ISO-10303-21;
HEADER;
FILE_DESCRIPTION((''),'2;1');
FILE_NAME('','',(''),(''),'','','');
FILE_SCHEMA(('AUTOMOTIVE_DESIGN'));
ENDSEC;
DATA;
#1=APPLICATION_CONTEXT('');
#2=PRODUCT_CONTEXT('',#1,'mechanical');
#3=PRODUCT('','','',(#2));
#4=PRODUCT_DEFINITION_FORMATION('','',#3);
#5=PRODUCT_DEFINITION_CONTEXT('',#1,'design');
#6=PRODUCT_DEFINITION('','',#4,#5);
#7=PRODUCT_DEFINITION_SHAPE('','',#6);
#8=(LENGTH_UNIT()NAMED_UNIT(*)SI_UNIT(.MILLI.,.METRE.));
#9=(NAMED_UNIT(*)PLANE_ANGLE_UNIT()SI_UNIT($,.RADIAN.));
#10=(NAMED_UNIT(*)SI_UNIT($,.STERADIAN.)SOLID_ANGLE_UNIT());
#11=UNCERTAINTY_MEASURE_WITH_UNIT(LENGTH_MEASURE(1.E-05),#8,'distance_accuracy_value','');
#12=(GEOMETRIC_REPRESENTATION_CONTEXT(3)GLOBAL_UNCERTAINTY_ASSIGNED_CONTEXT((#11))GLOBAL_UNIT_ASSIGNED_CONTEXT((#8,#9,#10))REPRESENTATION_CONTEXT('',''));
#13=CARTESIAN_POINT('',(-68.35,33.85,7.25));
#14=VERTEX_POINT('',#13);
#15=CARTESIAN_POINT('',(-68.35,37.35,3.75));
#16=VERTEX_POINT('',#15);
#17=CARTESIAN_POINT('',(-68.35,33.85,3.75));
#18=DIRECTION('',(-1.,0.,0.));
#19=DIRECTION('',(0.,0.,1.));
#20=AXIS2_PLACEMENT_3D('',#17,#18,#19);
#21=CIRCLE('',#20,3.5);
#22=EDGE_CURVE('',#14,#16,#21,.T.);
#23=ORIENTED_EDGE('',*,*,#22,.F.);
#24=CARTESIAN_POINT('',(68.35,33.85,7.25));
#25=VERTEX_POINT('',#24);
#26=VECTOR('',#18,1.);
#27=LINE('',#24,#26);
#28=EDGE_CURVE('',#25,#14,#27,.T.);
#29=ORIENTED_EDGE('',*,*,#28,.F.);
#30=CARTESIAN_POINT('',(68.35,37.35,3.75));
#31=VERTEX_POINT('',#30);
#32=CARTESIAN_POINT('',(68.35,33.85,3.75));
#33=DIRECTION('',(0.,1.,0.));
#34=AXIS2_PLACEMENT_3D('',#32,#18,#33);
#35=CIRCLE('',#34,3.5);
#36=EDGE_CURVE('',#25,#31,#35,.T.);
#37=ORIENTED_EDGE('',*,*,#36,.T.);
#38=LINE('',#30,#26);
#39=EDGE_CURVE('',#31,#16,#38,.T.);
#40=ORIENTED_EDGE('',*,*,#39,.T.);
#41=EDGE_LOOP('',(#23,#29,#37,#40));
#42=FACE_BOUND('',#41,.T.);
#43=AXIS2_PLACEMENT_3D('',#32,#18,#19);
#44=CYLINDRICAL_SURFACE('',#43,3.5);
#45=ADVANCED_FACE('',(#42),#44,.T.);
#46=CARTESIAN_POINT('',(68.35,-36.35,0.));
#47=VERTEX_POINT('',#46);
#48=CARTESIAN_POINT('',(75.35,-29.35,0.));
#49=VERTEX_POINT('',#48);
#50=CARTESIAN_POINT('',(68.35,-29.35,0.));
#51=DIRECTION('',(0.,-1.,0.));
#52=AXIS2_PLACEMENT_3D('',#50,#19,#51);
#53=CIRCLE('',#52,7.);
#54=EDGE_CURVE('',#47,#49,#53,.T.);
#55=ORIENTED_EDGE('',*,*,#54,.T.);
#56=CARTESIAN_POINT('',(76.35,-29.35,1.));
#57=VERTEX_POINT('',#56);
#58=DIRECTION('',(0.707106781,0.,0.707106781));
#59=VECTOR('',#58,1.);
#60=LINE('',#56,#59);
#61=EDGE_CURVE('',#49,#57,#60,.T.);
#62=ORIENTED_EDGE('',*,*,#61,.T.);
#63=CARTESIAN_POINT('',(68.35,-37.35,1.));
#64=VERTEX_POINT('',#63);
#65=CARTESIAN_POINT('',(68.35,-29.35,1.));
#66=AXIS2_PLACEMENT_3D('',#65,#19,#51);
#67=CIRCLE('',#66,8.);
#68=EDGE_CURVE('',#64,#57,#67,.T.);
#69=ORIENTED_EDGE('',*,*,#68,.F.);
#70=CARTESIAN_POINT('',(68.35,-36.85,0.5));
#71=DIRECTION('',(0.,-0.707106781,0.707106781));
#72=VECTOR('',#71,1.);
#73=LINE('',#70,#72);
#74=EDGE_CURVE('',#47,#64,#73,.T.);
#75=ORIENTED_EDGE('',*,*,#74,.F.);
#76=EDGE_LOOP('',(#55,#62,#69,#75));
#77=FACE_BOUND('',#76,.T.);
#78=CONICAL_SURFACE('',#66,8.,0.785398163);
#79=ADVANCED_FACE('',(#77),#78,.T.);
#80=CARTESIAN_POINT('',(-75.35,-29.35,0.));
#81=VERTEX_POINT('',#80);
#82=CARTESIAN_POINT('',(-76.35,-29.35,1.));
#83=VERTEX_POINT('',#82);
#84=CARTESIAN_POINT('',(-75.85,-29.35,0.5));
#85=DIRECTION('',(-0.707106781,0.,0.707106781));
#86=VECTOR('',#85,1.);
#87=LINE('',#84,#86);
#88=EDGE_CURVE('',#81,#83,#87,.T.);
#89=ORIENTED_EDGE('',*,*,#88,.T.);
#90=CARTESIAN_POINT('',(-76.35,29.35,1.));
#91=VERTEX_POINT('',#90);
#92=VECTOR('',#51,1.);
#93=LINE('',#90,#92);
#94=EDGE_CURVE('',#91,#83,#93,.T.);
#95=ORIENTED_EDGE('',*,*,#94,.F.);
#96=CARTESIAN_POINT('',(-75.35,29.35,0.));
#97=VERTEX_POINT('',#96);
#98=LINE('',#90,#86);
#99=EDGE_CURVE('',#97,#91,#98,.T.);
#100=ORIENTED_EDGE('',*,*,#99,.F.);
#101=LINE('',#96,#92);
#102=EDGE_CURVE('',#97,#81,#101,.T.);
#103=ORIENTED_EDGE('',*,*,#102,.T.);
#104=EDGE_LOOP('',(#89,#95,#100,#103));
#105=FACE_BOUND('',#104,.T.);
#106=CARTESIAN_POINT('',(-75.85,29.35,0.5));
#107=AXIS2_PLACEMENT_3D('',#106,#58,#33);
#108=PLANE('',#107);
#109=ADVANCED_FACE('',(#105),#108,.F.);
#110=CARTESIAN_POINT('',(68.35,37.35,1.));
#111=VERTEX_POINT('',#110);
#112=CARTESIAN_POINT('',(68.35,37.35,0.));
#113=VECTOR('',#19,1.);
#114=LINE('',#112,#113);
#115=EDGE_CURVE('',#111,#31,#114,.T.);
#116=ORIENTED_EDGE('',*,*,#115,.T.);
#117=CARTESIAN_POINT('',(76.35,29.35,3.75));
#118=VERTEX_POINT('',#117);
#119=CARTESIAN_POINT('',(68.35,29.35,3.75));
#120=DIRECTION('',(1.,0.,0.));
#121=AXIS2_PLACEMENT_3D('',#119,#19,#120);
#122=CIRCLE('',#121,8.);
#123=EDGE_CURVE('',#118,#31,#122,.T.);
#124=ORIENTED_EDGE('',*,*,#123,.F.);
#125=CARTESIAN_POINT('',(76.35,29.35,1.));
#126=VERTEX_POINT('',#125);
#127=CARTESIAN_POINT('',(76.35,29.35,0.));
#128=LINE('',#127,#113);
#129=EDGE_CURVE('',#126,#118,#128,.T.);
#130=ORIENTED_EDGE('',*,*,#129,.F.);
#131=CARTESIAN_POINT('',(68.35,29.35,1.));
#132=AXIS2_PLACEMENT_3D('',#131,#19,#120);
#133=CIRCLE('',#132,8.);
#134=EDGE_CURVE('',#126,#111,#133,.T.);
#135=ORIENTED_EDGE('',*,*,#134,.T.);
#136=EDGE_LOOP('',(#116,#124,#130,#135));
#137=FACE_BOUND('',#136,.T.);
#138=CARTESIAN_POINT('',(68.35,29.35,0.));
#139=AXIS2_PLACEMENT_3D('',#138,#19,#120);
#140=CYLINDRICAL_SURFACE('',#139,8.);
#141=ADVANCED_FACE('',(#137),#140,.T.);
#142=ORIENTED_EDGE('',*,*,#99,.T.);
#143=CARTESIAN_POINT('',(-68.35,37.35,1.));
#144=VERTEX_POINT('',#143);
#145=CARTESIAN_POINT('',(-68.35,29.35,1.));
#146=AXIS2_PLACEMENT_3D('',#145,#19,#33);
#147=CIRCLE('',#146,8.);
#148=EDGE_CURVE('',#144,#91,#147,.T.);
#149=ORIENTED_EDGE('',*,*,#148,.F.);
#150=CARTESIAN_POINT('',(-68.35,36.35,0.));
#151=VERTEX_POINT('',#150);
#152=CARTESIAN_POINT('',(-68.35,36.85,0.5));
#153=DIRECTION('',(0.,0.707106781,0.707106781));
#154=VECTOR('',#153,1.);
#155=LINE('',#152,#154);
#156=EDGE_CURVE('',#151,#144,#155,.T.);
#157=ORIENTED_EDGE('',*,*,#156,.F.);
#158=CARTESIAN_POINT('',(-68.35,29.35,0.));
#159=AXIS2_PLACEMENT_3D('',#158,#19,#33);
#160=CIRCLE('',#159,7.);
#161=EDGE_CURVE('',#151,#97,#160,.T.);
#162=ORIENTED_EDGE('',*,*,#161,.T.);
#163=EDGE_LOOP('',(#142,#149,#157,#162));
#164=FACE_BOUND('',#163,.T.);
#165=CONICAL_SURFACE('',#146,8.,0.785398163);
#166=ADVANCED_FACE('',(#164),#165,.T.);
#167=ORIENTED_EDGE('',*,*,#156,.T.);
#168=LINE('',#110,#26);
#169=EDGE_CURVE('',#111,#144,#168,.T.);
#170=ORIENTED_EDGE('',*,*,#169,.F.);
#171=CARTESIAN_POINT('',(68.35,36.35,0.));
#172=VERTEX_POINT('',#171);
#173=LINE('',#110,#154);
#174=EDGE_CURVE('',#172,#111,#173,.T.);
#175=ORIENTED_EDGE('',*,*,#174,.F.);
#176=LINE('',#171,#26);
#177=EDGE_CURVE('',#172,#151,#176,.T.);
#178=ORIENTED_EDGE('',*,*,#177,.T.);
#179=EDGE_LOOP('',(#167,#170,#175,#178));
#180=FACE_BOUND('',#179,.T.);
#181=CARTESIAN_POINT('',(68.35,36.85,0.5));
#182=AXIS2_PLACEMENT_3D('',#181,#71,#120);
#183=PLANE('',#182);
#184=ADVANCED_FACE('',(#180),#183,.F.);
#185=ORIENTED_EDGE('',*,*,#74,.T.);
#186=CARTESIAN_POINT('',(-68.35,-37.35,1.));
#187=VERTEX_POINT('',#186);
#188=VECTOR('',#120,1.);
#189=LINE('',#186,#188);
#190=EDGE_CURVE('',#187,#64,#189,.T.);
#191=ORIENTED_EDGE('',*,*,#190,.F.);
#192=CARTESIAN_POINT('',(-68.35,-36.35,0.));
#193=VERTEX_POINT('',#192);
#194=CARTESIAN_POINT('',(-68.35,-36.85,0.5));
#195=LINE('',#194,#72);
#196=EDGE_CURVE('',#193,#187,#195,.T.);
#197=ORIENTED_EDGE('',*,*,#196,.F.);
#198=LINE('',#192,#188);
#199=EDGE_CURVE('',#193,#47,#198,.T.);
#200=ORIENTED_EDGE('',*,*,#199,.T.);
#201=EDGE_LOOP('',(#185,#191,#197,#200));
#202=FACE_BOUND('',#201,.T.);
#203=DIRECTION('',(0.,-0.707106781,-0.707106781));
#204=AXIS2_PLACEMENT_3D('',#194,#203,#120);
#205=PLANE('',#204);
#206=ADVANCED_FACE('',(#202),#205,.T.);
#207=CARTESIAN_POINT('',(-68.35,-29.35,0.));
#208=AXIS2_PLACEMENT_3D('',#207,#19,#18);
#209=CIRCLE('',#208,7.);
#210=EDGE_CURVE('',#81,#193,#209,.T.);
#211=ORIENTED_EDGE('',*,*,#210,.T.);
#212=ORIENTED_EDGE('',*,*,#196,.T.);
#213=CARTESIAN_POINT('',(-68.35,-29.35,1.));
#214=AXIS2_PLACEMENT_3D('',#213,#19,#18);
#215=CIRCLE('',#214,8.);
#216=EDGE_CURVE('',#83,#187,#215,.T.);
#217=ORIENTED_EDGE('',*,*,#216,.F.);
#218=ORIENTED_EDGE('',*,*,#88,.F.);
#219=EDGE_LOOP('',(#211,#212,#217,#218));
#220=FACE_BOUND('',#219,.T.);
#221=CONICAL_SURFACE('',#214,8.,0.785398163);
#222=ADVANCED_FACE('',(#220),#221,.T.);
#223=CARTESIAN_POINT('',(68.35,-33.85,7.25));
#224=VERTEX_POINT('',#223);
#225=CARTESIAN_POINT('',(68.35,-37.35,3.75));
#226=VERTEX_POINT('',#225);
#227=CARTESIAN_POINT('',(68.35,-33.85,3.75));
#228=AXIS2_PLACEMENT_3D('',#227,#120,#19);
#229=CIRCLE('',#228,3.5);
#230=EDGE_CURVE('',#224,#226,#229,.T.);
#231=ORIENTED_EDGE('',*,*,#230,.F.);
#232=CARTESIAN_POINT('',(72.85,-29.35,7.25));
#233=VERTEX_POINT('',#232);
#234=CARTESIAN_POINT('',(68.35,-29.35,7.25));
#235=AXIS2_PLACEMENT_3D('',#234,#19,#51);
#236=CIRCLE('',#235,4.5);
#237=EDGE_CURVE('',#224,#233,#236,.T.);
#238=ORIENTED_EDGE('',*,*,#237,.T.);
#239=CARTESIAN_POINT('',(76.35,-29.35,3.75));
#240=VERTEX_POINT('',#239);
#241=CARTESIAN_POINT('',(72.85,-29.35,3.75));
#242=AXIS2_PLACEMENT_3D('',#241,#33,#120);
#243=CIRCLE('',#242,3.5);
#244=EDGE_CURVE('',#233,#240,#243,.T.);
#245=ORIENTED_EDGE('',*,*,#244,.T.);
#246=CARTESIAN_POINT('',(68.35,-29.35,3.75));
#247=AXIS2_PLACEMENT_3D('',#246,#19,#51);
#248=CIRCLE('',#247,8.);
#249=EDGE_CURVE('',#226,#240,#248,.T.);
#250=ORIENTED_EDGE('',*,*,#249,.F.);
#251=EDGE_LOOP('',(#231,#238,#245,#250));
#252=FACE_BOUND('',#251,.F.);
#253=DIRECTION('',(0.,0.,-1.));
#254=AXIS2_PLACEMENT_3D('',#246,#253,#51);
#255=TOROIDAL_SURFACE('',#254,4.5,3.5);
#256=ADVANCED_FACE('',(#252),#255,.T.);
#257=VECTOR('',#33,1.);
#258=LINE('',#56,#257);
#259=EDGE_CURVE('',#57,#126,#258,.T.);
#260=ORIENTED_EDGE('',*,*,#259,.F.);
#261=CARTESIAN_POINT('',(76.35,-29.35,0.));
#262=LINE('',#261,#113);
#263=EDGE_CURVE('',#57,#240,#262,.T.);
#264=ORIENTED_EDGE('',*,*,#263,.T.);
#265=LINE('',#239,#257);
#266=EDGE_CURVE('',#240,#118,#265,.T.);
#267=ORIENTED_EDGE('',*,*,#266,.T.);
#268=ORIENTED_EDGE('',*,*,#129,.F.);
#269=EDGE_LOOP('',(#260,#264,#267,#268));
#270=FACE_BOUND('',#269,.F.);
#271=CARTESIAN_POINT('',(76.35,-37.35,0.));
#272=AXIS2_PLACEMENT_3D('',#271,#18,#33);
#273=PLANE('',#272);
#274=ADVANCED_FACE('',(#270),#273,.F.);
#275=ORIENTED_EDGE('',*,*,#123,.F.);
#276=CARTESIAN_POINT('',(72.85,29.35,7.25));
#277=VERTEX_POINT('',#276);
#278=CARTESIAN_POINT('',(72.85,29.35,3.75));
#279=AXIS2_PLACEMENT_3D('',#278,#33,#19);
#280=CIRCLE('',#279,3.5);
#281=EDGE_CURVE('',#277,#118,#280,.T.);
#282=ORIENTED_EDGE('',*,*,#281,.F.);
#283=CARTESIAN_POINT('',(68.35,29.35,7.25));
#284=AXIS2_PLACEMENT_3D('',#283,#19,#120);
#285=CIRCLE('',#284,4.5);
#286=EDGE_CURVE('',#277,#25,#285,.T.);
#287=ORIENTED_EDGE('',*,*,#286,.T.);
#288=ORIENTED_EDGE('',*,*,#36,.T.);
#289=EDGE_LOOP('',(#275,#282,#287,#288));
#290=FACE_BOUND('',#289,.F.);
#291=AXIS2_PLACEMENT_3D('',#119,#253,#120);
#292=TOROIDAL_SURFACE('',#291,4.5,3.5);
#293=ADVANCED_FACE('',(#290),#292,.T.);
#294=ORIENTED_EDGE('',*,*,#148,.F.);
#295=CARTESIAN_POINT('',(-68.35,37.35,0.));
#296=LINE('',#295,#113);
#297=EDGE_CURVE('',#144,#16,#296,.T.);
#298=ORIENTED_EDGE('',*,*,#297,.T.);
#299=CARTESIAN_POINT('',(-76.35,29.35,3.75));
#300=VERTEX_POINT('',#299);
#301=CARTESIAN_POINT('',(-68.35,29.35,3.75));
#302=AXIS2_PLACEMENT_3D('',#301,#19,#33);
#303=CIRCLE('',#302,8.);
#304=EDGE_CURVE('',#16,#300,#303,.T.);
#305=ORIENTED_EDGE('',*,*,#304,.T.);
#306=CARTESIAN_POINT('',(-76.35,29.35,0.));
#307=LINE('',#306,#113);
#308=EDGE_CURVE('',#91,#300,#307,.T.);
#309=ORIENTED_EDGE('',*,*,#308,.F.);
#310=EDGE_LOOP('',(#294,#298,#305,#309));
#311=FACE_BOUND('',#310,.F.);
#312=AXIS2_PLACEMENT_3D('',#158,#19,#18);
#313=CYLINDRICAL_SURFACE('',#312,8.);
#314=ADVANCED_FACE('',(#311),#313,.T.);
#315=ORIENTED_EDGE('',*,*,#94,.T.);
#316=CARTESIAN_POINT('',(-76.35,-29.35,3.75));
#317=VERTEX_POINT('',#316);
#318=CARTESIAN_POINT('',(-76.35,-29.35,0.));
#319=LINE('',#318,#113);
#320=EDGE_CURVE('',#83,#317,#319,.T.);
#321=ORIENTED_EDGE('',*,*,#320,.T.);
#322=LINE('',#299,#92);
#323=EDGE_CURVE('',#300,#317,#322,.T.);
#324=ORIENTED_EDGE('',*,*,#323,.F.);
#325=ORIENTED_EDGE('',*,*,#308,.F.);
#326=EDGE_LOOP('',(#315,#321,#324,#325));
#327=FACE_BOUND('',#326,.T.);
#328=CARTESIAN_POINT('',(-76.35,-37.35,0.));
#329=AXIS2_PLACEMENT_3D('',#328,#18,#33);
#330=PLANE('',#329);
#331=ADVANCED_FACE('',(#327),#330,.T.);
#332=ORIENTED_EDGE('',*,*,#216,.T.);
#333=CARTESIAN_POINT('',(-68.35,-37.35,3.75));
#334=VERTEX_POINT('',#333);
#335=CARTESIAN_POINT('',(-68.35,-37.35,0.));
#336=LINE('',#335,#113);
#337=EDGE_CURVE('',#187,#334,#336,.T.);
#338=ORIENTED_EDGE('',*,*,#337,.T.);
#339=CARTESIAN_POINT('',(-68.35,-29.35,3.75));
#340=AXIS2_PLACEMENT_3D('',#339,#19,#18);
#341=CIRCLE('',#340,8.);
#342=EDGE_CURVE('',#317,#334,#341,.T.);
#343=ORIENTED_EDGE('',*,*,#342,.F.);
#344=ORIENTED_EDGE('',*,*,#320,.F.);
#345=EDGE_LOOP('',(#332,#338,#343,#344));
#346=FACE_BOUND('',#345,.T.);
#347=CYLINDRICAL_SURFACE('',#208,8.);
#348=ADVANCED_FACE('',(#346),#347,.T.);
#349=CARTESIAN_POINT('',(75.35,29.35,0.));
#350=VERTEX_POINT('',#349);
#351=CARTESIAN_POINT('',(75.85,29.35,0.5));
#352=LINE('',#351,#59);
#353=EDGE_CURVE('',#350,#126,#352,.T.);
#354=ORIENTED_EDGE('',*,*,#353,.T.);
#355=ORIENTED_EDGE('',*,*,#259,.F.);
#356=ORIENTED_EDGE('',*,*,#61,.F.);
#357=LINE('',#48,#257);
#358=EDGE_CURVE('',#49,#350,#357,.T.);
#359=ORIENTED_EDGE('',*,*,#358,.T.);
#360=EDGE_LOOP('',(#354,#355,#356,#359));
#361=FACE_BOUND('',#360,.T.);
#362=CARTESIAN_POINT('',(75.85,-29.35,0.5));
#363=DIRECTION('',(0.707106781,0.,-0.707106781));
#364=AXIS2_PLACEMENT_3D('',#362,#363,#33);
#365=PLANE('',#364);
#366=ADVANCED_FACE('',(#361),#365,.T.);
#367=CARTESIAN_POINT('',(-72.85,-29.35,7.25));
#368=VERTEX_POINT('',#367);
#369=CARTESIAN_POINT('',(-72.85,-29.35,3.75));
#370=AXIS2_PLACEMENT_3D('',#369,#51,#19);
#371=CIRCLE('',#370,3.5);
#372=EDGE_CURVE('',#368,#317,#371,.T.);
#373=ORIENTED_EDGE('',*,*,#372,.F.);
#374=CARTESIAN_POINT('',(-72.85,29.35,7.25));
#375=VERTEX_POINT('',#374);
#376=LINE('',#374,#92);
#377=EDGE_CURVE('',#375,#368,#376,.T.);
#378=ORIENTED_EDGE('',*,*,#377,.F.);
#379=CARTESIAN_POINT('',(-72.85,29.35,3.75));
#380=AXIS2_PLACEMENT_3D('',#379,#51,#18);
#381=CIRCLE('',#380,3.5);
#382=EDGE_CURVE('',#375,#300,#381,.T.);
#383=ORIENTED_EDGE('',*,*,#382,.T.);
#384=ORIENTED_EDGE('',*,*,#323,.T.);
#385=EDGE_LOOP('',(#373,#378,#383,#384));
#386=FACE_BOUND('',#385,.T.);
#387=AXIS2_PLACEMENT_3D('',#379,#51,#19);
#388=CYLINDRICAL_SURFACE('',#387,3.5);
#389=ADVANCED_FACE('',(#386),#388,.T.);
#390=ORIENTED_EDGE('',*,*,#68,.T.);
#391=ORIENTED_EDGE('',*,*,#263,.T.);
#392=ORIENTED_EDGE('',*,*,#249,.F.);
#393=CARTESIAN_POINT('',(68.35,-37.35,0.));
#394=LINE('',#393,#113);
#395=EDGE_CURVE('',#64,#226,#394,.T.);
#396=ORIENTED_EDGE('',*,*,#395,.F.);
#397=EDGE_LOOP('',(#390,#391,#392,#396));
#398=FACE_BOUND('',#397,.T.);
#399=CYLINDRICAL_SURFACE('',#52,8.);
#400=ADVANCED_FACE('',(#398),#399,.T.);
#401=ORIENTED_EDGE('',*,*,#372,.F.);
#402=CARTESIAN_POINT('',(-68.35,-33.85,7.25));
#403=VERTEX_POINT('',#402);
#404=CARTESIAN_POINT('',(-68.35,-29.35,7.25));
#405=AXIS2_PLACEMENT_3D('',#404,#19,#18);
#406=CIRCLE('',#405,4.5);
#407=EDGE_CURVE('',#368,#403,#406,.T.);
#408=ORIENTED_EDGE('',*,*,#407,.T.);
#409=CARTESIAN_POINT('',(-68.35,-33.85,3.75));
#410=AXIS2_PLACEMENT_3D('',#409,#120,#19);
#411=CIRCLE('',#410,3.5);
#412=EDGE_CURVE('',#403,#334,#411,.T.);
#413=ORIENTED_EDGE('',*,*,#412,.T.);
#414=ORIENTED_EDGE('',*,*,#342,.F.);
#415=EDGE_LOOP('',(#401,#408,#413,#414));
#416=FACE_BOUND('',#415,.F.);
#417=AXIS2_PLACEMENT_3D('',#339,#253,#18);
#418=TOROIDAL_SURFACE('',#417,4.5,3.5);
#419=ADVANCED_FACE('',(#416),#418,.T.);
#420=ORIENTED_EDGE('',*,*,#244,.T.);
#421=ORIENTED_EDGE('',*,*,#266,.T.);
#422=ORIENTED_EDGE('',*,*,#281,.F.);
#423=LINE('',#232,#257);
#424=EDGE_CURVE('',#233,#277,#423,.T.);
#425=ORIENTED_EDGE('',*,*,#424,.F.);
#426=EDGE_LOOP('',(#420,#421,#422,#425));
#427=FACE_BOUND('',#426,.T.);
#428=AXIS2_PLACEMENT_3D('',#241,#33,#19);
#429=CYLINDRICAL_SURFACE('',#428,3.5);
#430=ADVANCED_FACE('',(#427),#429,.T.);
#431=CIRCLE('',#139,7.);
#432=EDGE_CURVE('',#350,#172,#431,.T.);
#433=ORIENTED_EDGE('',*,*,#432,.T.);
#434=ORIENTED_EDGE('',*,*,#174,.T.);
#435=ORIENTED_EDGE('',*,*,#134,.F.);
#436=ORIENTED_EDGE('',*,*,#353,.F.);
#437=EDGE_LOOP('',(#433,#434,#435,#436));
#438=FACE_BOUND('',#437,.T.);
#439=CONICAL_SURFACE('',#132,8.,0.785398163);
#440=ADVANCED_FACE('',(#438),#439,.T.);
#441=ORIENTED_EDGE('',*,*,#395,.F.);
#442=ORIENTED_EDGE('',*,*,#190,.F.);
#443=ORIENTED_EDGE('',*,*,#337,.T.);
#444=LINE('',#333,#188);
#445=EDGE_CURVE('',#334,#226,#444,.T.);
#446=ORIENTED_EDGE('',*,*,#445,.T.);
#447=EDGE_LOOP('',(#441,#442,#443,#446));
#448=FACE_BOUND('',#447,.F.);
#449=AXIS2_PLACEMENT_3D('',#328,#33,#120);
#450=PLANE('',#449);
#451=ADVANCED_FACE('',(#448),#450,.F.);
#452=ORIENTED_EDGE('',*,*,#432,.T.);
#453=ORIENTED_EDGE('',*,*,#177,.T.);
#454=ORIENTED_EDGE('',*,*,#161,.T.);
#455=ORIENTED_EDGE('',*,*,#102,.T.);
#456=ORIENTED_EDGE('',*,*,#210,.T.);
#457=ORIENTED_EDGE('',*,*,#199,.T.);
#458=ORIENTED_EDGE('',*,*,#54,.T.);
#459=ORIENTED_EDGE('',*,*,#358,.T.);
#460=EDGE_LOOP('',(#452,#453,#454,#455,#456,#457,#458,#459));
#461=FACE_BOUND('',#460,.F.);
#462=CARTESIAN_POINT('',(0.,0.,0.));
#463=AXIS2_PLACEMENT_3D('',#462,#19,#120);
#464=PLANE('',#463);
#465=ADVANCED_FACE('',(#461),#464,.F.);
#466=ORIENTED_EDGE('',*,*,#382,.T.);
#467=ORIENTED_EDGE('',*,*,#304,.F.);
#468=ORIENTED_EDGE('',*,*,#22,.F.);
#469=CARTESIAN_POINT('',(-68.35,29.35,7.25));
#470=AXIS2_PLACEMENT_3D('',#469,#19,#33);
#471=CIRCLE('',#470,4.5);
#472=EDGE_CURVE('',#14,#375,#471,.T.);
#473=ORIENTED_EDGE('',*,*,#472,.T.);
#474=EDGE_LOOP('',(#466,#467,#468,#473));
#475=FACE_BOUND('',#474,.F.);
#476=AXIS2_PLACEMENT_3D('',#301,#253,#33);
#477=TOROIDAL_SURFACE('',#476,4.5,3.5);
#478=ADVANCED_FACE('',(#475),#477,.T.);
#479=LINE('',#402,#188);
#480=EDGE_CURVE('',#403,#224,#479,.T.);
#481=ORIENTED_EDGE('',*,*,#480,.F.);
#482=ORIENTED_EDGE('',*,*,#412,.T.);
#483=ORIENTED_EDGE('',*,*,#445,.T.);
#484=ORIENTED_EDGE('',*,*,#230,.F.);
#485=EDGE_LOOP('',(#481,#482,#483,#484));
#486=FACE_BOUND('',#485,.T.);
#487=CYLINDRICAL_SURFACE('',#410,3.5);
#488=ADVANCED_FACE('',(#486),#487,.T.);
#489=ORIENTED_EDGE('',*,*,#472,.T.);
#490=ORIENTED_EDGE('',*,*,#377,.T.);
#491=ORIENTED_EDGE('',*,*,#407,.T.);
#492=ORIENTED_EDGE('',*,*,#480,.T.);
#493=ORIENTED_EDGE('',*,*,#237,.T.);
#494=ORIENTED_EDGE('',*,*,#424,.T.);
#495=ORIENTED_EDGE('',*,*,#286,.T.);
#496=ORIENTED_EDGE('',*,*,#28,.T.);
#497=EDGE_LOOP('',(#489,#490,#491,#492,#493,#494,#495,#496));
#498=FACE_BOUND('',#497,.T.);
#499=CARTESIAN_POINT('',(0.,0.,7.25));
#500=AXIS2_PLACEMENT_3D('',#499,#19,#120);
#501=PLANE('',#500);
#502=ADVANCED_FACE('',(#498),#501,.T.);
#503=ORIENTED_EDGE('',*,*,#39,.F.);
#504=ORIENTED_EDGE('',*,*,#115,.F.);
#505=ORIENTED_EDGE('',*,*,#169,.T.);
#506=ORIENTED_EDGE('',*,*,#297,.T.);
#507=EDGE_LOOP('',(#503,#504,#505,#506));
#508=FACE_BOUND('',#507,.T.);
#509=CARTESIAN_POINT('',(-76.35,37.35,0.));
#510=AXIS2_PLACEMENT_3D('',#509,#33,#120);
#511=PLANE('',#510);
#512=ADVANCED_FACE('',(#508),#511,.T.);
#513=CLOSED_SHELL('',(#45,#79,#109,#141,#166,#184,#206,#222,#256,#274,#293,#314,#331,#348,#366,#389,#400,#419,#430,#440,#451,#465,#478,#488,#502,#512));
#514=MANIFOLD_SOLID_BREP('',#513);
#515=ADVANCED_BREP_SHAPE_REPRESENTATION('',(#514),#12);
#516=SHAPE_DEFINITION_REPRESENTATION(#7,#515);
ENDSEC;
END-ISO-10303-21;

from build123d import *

# Parameters (mm, degrees)
F0_W     = 152.7
F0_H     = 74.7
F1_DEPTH = 7.25
F2_R     = 8
F3_SIZE  = 1
F4_R     = 3.5


with BuildPart() as f1:
    # F0 (on Top) → F1 (new body)
    with BuildSketch(Plane.XY):
        Rectangle(F0_W, F0_H)
    extrude(amount=F1_DEPTH)

    # F2
    f2_edges = [f1.edges().sort_by_distance(p)[0] for p in [
        (-76.35, -37.35, 3.625),
        (76.35, -37.35, 3.625),
        (76.35, 37.35, 3.625),
        (-76.35, 37.35, 3.625),
    ]]
    fillet(f2_edges, radius=F2_R)

    # F3
    f3_edges = [f1.edges().sort_by_distance(p)[0] for p in [
        (0, -37.35, 0),
        (74.006854, -35.006854, 0),
        (76.35, 0, 0),
        (74.006854, 35.006854, 0),
        (-74.006854, -35.006854, 0),
        (-76.35, 0, 0),
        (-74.006854, 35.006854, 0),
        (0, 37.35, 0),
    ]]
    chamfer(f3_edges, length=F3_SIZE)

    # F4
    f4_edges = [f1.edges().sort_by_distance(p)[0] for p in [
        (0, -37.35, 7.25),
    ]]
    fillet(f4_edges, radius=F4_R)


solid = f1.part
